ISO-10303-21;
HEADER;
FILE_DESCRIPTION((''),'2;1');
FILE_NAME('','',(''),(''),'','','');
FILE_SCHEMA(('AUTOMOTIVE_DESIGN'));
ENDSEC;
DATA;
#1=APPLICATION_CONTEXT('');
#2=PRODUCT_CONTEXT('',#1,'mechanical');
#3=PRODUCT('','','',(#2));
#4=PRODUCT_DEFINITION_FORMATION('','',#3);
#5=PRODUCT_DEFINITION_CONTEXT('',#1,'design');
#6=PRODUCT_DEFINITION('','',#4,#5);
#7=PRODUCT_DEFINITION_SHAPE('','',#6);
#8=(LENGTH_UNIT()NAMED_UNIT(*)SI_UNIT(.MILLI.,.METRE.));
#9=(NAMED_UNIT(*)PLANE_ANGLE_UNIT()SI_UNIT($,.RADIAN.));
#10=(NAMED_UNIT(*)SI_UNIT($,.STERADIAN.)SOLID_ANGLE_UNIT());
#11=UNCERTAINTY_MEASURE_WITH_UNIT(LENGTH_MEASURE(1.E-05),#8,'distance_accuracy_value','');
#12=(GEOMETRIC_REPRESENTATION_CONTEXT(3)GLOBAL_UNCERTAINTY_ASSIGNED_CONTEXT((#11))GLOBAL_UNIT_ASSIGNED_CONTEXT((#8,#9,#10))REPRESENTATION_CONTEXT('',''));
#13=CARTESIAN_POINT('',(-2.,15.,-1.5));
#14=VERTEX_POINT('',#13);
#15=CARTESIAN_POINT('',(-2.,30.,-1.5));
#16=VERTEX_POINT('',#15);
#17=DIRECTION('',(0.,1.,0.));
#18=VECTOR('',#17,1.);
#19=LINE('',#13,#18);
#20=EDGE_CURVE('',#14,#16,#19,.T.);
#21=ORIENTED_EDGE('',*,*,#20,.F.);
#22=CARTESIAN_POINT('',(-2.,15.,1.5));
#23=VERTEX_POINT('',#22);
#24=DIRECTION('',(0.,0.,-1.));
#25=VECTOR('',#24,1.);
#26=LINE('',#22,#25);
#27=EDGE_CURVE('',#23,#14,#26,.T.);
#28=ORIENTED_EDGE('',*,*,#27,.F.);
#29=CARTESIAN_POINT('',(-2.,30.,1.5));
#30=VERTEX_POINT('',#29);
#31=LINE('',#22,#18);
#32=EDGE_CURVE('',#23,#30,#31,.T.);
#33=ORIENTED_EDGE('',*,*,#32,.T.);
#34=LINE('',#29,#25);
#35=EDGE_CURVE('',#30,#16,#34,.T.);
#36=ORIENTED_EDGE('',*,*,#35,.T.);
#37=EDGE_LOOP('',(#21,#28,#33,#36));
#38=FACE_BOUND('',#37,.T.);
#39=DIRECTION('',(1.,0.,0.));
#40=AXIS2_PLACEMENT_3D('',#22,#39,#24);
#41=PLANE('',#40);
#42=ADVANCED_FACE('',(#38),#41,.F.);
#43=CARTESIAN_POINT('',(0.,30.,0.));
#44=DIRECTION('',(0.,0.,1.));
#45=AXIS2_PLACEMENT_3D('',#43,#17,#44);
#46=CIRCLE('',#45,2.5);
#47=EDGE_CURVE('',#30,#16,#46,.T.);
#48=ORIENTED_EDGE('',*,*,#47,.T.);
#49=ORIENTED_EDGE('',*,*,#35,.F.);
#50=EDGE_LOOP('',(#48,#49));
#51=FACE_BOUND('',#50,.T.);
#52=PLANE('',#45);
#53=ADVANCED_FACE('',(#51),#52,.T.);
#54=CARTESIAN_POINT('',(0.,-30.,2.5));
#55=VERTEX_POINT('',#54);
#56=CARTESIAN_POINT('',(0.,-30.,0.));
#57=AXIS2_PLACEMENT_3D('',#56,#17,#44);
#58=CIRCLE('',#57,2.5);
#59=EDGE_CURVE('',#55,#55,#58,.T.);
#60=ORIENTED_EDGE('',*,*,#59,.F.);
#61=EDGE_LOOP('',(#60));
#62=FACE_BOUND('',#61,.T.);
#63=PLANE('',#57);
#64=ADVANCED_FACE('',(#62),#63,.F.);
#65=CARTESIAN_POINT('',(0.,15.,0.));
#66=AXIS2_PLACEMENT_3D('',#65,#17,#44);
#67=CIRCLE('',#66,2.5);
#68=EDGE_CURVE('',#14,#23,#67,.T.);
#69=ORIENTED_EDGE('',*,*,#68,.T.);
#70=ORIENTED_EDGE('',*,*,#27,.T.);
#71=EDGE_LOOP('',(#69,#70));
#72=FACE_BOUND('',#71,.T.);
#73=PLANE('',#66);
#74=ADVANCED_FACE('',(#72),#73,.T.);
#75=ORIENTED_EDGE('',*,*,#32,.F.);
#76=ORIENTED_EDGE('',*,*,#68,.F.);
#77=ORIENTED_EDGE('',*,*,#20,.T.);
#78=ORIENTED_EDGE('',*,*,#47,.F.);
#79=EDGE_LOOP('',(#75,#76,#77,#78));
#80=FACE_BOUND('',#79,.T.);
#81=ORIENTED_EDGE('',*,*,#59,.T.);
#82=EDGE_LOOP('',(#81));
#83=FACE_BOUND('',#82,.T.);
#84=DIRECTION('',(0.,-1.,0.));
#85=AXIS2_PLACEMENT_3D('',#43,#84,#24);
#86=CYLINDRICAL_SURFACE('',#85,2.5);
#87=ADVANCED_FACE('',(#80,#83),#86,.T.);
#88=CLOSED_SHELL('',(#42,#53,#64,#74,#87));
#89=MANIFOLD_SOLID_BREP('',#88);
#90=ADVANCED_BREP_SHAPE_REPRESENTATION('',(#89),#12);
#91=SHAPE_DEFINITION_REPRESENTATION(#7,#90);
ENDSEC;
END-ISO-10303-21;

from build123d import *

# Parameters (mm, degrees)
ESBO_O1_R                = 2.5
RESSALTO_EXTRUS_O1_DEPTH = 30
CORTE_EXTRUS_O1_DEPTH    = 15


with BuildPart() as part:
    # Esboço1 → Ressalto-extrusão1 (new, symmetric)
    with BuildSketch(Plane(origin=(0, 0, 0), x_dir=(1, 0, 0), z_dir=(0, 1, 0))):
        with Locations(Location((0, 0, 0), (0, 0, 270))):
            Circle(ESBO_O1_R)
    extrude(amount=RESSALTO_EXTRUS_O1_DEPTH, both=True)

    # Esboço2 → Corte-extrusão1 (cut)
    with BuildSketch(Plane(origin=(0, 30, 0), x_dir=(1, 0, 0), z_dir=(0, 1, 0))):
        with BuildLine():
            Line((-2, -1.5), (-2, 1.5))
            ThreePointArc((-2, 1.5), (-2.5, 0), (-2, -1.5))
        make_face()
    extrude(amount=-CORTE_EXTRUS_O1_DEPTH, mode=Mode.SUBTRACT)


solid = part.part
